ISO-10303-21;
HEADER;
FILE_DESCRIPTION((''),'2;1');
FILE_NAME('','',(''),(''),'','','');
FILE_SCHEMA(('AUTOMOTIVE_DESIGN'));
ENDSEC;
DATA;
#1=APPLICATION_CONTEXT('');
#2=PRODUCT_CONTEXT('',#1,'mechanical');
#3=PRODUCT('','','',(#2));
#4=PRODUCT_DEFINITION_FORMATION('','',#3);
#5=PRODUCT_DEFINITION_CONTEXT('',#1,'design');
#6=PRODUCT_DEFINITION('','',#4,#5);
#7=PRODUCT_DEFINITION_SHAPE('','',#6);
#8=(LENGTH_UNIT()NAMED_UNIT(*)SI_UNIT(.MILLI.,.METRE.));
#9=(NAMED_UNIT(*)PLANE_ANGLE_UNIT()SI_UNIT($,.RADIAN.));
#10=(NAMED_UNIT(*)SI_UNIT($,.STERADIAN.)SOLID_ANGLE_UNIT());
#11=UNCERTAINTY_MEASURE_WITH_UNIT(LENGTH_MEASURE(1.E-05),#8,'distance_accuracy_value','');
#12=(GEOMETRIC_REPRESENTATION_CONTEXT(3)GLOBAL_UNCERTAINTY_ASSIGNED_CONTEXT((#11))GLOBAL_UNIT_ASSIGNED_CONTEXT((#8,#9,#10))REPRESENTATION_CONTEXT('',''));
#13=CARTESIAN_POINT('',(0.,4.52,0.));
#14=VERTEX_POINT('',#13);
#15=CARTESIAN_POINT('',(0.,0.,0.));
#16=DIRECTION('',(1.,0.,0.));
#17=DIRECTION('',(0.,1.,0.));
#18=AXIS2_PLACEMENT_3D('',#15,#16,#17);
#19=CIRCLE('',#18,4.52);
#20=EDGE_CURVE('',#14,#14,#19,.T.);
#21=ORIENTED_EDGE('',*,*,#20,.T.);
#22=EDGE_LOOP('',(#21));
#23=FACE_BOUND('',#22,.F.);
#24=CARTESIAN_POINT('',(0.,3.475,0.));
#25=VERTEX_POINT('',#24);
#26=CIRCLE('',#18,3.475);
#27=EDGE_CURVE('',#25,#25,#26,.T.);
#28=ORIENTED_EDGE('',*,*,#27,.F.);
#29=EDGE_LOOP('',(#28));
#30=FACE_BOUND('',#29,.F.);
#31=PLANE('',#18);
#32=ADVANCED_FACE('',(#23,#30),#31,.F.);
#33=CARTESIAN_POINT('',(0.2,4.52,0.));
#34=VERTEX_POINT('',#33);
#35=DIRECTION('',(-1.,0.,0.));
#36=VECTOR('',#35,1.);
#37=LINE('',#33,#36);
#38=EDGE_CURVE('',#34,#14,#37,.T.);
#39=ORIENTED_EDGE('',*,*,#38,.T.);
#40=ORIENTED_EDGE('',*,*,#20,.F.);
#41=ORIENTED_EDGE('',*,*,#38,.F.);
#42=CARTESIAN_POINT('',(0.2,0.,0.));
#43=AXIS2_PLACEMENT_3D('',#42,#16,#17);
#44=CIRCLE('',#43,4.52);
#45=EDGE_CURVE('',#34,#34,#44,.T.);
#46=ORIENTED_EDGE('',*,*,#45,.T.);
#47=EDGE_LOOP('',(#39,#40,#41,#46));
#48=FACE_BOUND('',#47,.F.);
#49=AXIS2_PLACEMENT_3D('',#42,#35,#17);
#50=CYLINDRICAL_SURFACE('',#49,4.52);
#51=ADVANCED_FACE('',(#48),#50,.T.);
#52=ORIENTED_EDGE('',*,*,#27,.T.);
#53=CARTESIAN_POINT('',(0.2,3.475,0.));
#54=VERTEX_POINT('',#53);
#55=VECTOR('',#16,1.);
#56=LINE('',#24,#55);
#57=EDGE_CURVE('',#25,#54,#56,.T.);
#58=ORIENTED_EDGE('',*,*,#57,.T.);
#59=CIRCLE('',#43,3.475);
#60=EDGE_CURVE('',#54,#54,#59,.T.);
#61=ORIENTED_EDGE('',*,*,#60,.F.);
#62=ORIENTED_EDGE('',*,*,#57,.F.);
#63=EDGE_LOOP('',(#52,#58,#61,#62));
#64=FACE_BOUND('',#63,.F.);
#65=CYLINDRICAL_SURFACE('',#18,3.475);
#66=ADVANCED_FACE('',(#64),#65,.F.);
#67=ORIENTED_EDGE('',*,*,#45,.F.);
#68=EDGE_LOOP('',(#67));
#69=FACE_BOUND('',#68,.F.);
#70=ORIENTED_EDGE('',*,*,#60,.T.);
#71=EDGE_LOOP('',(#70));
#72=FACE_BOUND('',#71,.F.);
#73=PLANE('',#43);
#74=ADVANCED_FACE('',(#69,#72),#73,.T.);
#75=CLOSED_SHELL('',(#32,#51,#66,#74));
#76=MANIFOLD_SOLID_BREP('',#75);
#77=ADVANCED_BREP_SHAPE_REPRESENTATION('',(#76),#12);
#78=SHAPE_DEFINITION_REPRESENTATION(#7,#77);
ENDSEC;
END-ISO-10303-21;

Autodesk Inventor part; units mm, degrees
sketch "Sketch_1" plane through (0, 0, 0) normal (0, 0, 1) x (1, 0, 0)
  line L0 (0.2, 0) -> (0, 0)
  line L1 (0, 4.52) -> (0, 3.475)
  line L2 (0, 3.475) -> (0.2, 3.475)
  line L3 (0.2, 3.475) -> (0.2, 4.52)
  line L4 (0.2, 4.52) -> (0, 4.52)
revolve "Revolution1" add sketch "Sketch_1" angle 360 about axis through (0.2, 0, 0) along (1, 0, 0)
ref_plane "1_XY" through (0, 0, 0) normal (1, 0, 0) x (0, 0, -1)
ref_plane "1_YZ" through (0, 0, 0) normal (0, 0, -1) x (0, 1, 0)
ref_plane "1_ZX" through (0, 0, 0) normal (0, 1, 0) x (1, 0, 0)
properties part number "LF-1060ZZ_shield" material "鋼、炭素鋼"
